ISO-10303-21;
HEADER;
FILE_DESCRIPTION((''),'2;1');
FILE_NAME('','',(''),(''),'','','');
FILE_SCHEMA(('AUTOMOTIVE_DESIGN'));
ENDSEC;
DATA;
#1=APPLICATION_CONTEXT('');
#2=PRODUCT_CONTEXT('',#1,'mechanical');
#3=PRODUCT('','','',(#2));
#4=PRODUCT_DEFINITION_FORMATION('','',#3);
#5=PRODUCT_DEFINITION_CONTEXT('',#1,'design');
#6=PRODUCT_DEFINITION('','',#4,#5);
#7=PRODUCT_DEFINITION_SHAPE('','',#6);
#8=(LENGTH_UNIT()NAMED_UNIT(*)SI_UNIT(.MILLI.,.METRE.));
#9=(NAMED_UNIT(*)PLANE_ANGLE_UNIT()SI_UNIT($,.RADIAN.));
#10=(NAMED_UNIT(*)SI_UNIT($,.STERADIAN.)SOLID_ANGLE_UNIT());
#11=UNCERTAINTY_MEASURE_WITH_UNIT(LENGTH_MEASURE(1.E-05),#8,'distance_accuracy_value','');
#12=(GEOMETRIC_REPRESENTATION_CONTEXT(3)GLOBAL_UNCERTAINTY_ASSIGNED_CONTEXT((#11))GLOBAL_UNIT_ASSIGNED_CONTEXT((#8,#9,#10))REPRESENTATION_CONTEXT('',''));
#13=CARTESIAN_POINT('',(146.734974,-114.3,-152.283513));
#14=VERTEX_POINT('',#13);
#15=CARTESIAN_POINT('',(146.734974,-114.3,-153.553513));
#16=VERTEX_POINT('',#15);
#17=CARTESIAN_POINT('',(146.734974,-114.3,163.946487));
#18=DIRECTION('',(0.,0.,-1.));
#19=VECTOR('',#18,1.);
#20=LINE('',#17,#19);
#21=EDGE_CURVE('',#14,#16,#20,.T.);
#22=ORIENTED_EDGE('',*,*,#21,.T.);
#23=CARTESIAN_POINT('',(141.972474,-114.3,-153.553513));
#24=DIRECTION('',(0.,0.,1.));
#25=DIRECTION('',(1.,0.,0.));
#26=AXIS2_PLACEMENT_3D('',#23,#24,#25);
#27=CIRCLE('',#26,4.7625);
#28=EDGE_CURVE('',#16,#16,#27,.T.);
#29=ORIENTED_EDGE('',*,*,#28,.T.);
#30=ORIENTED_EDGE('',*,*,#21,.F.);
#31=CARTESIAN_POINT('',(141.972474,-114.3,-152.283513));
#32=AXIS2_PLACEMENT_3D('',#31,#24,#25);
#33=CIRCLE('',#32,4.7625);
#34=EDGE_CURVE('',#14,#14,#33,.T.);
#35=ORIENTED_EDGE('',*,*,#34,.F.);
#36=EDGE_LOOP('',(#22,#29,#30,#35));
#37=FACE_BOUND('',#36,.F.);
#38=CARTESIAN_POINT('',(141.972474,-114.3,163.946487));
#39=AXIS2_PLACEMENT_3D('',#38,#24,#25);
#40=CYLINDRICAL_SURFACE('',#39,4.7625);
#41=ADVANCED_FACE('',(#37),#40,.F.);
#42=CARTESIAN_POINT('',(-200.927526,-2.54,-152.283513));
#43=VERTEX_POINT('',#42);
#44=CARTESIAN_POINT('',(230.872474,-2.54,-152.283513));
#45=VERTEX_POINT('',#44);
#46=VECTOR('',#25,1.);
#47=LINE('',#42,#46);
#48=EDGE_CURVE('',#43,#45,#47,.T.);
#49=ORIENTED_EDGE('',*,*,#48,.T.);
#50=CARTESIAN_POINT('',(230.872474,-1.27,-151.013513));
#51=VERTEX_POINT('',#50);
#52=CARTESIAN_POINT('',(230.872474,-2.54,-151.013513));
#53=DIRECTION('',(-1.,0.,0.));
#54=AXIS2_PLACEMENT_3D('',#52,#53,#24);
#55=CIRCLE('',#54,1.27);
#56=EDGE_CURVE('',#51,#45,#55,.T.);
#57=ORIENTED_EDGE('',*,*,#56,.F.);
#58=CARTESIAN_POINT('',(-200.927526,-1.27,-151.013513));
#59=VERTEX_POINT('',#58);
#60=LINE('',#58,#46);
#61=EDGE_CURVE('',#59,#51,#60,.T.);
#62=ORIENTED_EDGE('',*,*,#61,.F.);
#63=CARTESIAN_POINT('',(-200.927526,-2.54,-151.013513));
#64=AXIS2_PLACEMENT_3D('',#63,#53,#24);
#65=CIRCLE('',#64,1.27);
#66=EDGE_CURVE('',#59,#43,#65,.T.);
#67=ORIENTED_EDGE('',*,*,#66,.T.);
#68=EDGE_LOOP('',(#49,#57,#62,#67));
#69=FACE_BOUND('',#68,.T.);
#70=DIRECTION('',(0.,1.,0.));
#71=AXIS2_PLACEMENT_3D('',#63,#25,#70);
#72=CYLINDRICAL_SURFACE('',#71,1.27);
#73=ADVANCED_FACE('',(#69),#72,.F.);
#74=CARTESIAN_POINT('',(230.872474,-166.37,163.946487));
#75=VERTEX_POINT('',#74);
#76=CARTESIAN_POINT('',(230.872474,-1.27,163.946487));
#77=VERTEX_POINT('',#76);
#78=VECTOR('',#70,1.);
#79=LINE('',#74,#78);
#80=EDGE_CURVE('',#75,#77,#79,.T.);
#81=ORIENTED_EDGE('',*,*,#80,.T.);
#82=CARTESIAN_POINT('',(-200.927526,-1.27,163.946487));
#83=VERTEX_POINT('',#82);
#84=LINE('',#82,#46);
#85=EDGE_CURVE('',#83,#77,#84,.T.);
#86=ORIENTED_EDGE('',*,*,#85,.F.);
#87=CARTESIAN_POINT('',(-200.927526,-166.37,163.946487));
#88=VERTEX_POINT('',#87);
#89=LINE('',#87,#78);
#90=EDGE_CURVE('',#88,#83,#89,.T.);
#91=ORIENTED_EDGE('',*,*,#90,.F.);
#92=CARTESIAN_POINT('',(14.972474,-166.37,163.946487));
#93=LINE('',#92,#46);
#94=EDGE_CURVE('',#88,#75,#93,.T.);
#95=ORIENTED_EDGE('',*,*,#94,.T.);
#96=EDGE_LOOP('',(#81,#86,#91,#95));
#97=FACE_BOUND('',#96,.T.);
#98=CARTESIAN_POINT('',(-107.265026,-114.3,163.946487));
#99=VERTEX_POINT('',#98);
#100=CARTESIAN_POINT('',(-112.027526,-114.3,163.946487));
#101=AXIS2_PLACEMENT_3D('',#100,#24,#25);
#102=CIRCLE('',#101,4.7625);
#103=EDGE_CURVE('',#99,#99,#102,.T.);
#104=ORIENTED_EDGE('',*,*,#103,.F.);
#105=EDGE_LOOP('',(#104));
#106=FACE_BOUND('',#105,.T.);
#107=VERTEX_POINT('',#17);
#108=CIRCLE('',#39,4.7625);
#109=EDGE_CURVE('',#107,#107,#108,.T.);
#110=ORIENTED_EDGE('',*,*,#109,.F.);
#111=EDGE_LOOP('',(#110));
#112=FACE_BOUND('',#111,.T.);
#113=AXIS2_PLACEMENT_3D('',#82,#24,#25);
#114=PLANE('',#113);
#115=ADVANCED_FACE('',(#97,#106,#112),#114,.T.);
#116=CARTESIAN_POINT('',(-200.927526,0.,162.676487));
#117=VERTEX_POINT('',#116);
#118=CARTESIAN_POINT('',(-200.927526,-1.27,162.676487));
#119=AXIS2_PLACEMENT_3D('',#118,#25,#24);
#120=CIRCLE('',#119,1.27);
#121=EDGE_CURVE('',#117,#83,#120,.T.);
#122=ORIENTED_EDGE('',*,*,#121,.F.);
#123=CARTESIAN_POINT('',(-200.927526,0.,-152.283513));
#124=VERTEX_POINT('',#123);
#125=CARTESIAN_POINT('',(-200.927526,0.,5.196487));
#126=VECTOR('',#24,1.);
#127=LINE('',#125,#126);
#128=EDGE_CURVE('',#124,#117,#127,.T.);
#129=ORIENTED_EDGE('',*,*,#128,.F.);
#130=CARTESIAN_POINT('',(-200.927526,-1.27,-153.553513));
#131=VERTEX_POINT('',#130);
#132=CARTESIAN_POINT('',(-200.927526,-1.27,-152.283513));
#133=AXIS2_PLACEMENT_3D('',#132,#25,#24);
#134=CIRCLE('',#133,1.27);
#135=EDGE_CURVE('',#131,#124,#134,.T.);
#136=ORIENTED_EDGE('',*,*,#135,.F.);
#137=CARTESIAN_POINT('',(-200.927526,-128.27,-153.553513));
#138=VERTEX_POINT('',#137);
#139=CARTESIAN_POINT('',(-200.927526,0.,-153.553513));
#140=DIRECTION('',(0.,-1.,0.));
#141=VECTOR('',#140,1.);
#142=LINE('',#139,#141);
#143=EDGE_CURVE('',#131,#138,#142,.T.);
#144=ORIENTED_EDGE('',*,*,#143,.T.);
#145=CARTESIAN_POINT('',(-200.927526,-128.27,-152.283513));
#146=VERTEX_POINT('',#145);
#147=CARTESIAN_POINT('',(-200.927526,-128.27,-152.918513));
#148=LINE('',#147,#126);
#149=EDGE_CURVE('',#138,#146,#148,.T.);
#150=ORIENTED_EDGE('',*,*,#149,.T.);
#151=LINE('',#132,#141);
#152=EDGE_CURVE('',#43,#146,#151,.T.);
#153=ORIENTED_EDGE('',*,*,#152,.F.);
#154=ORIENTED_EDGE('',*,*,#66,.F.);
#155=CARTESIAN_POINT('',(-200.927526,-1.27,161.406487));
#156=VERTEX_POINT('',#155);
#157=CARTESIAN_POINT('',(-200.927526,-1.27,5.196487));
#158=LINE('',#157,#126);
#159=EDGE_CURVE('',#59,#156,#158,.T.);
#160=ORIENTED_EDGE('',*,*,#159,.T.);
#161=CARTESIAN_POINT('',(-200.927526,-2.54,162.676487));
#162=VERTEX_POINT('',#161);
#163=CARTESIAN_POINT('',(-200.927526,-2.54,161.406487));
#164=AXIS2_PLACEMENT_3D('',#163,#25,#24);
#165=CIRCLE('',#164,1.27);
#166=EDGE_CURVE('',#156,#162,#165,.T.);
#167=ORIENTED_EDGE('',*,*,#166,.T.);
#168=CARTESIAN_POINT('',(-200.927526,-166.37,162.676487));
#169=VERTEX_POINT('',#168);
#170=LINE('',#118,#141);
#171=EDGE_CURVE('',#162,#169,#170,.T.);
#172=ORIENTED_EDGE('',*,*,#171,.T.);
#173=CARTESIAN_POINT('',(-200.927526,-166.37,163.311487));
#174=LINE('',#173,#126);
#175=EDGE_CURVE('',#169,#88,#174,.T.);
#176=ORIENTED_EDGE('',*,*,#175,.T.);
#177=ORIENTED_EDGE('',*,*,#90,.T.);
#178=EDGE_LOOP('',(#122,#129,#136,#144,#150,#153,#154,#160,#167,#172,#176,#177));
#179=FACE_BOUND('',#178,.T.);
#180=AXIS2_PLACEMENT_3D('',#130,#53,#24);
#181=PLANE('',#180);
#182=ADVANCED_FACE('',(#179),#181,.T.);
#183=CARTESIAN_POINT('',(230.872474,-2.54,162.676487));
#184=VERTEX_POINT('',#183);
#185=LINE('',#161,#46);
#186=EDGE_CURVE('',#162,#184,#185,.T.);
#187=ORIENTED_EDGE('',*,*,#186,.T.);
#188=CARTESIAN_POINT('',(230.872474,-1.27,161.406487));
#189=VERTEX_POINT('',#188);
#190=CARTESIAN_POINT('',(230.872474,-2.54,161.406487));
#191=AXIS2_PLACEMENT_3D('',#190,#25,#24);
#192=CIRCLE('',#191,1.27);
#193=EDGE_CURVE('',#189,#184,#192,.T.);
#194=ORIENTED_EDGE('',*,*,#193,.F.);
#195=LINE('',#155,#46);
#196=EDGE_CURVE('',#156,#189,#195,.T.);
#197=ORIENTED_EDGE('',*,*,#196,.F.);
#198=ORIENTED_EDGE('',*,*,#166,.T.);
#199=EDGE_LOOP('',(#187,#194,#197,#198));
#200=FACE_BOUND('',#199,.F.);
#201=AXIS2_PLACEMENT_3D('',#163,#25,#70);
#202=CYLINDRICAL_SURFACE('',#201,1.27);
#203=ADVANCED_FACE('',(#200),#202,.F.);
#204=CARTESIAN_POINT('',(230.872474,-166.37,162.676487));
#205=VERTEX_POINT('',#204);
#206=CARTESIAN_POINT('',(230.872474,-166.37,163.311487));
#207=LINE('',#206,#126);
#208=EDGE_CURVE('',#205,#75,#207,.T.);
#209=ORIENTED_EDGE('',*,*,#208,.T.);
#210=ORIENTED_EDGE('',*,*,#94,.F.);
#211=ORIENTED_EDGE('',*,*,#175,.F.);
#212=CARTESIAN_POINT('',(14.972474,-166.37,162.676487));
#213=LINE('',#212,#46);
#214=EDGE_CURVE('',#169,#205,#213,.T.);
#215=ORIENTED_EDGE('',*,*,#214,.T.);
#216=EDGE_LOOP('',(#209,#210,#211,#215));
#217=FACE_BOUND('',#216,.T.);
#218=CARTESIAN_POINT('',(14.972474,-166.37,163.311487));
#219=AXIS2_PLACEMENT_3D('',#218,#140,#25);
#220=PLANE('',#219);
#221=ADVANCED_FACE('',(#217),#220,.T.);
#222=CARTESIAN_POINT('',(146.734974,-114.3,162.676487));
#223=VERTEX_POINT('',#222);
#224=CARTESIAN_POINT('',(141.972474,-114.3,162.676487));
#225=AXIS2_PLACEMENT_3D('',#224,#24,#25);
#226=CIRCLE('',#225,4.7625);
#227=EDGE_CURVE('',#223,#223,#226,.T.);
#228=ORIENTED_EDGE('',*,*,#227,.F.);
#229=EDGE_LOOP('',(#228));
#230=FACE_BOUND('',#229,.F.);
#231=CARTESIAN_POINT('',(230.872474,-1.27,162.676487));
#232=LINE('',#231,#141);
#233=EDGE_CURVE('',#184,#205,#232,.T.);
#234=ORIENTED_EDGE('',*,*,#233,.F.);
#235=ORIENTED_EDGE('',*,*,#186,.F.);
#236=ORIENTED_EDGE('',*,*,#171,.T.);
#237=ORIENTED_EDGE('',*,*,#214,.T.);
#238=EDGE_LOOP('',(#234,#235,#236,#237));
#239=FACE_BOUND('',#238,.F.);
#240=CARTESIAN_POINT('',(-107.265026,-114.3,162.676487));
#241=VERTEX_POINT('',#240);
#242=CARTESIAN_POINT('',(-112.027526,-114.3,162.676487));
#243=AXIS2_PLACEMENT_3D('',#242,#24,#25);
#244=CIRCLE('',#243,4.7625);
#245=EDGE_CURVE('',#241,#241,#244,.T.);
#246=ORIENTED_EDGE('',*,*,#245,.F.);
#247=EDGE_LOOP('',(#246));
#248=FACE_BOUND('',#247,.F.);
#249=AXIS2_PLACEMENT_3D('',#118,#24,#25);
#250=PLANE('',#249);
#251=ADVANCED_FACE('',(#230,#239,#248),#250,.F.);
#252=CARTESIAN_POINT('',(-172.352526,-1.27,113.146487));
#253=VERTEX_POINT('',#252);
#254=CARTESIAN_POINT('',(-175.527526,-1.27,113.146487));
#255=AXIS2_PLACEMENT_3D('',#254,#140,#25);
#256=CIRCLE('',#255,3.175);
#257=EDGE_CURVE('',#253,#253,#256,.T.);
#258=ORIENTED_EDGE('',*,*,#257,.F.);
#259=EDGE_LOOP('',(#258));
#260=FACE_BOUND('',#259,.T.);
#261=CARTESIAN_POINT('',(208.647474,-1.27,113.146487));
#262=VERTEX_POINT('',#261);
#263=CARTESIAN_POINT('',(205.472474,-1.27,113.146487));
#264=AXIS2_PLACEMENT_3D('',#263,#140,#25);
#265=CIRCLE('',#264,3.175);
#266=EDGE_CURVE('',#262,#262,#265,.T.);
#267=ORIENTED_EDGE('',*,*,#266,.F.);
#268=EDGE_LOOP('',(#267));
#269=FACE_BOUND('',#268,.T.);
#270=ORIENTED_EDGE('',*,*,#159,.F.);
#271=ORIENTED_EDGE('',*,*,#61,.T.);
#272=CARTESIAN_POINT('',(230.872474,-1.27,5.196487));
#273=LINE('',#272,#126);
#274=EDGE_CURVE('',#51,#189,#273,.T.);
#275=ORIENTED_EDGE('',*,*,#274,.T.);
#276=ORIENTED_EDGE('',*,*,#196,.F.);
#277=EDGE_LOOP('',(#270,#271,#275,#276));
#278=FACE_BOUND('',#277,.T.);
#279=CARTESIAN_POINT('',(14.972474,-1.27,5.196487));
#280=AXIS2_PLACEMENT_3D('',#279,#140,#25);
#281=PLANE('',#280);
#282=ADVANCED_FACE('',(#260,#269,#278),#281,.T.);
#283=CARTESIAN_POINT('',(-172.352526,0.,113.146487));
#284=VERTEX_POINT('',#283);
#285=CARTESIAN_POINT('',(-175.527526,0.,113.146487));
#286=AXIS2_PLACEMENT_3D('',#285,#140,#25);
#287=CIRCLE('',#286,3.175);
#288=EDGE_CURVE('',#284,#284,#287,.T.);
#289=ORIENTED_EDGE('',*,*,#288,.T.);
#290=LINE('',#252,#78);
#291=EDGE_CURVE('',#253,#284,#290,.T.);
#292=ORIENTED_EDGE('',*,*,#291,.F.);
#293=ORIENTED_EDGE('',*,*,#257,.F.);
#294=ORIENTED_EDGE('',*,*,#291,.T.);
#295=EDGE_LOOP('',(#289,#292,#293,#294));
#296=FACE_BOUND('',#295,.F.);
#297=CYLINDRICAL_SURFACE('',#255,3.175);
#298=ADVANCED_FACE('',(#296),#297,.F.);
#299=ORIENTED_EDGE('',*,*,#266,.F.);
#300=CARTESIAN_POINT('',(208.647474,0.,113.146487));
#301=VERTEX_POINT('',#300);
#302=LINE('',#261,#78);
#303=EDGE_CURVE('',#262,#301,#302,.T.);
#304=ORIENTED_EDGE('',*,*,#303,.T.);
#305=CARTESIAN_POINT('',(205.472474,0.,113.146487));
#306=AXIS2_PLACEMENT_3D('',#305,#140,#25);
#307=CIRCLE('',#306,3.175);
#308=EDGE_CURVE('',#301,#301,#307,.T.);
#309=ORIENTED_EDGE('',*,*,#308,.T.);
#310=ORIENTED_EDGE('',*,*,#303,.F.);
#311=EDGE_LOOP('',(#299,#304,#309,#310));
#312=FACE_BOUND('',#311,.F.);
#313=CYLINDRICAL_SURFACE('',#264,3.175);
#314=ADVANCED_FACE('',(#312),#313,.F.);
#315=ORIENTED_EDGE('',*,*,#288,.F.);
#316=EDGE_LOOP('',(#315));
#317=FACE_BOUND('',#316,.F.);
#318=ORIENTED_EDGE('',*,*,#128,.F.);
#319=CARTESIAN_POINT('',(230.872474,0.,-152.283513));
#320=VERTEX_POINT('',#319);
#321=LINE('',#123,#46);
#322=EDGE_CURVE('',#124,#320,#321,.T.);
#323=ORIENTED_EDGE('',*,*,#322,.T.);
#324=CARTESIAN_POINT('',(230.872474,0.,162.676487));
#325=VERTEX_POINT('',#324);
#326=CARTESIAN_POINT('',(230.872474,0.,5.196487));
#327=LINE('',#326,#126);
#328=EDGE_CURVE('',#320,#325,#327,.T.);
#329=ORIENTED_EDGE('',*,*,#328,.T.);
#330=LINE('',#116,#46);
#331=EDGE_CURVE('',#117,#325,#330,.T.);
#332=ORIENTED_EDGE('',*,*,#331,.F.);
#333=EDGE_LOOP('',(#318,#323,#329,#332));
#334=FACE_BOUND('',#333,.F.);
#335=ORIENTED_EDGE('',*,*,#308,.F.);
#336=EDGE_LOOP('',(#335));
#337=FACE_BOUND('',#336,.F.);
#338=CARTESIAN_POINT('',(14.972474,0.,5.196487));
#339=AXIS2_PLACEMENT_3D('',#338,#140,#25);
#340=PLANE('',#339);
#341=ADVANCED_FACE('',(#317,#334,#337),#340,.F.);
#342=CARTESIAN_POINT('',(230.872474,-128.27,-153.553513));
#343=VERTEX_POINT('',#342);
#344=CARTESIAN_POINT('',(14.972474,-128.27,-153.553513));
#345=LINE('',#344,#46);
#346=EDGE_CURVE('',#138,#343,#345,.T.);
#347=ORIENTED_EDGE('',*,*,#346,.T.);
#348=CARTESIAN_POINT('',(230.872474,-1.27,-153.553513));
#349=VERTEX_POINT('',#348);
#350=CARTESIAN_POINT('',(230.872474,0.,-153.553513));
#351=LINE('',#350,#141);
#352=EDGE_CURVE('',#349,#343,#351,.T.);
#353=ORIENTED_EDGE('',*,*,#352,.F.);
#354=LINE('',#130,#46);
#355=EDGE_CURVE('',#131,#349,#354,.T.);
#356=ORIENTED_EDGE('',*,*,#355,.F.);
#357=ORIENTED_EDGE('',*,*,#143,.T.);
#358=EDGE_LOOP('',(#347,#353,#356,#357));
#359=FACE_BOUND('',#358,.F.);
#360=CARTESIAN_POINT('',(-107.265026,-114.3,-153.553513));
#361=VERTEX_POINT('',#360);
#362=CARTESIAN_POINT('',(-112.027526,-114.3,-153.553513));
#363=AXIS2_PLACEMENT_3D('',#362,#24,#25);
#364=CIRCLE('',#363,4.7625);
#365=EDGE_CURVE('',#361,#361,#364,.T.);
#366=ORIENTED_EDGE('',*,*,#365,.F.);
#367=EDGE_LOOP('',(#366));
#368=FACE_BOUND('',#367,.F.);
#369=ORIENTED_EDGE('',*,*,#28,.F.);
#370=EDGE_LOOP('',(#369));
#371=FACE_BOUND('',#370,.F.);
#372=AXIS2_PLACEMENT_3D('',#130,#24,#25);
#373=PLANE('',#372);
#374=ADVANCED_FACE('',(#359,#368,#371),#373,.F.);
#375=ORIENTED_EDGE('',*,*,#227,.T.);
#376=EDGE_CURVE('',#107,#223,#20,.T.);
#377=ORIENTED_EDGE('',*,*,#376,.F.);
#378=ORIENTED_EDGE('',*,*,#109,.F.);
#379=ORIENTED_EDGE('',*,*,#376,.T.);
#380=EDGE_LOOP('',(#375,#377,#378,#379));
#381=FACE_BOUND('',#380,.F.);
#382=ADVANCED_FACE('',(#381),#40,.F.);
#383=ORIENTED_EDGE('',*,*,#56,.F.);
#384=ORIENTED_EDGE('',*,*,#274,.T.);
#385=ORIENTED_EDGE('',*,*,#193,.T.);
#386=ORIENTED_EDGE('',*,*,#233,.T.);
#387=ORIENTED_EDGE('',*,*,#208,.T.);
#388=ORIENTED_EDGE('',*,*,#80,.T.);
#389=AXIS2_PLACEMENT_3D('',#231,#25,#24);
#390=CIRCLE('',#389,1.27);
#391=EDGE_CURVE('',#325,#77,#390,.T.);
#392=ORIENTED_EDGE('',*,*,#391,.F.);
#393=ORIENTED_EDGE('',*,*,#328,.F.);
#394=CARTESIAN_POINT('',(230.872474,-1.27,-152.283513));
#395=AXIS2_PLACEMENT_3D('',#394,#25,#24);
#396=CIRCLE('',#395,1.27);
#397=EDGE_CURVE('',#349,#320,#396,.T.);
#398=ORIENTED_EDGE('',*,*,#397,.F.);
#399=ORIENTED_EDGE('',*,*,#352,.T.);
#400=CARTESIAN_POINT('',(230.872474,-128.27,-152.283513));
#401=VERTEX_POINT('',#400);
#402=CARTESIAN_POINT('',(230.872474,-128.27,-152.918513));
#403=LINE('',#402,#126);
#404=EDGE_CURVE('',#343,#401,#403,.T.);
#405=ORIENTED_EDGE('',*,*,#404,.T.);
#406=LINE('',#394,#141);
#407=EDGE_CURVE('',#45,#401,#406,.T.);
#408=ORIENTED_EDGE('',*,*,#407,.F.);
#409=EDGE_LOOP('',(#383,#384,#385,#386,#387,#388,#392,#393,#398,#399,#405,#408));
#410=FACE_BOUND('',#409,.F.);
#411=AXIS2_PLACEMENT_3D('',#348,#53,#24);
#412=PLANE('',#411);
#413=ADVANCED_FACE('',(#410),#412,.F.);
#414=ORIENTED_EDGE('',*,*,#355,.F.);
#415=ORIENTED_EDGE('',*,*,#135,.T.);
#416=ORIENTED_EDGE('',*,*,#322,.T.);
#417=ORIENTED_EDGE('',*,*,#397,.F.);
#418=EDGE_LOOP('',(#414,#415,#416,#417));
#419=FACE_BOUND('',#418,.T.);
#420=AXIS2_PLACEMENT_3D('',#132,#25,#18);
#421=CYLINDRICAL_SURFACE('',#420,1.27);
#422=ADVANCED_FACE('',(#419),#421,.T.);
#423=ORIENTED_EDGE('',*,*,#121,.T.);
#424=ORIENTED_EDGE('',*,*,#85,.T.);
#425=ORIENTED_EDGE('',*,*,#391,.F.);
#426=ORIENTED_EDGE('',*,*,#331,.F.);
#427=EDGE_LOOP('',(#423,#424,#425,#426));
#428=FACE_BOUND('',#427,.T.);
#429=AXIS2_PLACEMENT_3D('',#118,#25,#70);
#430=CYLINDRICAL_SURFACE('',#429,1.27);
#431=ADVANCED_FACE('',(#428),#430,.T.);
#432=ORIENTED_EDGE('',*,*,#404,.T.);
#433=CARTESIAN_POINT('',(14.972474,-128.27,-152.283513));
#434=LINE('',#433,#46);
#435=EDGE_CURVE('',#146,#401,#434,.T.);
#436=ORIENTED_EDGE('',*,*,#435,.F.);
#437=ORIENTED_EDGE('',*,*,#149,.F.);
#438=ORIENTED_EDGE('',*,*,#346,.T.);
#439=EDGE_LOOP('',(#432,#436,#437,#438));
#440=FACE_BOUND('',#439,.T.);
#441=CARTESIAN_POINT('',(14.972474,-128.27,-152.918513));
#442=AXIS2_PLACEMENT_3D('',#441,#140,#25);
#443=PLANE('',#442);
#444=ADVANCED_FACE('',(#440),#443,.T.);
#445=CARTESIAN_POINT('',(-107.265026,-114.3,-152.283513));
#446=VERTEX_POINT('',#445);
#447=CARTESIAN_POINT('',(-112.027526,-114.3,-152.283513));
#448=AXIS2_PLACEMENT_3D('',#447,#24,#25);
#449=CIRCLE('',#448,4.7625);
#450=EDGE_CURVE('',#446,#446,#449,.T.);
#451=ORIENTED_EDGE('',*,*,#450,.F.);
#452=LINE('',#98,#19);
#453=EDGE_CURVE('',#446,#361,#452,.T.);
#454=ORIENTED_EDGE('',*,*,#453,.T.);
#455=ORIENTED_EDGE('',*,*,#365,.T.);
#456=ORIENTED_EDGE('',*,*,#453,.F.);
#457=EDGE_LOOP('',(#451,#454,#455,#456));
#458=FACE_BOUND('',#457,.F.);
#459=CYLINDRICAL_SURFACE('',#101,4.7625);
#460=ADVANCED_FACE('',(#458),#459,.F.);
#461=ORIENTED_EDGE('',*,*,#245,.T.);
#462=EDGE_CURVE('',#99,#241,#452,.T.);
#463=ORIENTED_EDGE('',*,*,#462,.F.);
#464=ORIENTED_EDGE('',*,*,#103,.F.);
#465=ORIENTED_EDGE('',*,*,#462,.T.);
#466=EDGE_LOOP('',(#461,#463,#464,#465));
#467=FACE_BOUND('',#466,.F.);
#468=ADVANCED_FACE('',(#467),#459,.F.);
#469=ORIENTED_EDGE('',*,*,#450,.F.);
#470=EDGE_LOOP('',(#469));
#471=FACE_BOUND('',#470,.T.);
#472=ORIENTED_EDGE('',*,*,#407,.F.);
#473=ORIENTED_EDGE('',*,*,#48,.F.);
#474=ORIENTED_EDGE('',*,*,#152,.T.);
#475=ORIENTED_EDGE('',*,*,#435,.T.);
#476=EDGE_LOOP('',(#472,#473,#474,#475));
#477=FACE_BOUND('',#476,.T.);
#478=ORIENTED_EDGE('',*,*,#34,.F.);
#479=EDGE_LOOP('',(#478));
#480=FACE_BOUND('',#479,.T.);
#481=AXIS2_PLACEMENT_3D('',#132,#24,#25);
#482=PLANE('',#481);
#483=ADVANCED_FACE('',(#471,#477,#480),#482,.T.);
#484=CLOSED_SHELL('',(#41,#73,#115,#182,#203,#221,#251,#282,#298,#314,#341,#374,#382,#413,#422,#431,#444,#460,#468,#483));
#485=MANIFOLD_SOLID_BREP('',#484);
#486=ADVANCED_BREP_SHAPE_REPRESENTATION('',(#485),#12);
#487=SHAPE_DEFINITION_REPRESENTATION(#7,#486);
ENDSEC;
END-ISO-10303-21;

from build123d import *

# Parameters (mm, degrees)
F0_W      = 431.8
F0_H      = 317.5
F1_DEPTH  = 1.27
F2_W      = 431.8
F2_H      = 1.27
F3_DEPTH  = 165.1
F4_R      = 1.27
F5_W      = 431.8
F5_H      = 1.27
F6_DEPTH  = 127
F7_R      = 1.27
F8_R      = 3.175
F9_DEPTH  = 25.4
F10_R     = 4.7625
F11_DEPTH = 317.501


with BuildPart() as f1:
    # F0 (on Front) → F1 (new body)
    with BuildSketch(Plane.XZ):
        with Locations((14.972474, 5.196487)):
            Rectangle(F0_W, F0_H)
    extrude(amount=F1_DEPTH)

    # F2 (on face) → F3 (join)
    with BuildSketch(Plane.XZ.offset(1.27)):
        with Locations((14.972474, 163.311487)):
            Rectangle(F2_W, F2_H)
    extrude(amount=F3_DEPTH)

    # F4
    f4_edges = [f1.edges().sort_by_distance(p)[0] for p in [
        (14.972474, -1.27, 162.676487),
        (14.972474, 0, 163.946487),
    ]]
    fillet(f4_edges, radius=F4_R)

    # F5 (on face) → F6 (join)
    with BuildSketch(Plane.XZ.offset(1.27)):
        with Locations((14.972474, -152.918513)):
            Rectangle(F5_W, F5_H)
    extrude(amount=F6_DEPTH)

    # F7
    f7_edges = [f1.edges().sort_by_distance(p)[0] for p in [
        (14.972474, -1.27, -152.283513),
        (14.972474, 0, -153.553513),
    ]]
    fillet(f7_edges, radius=F7_R)

    # F8 (on face) → F9 (cut)
    with BuildSketch(Plane.XZ.offset(1.27)):
        with Locations((-175.527526, 113.146487)):
            Circle(F8_R)
        with Locations((205.472474, 113.146487)):
            Circle(F8_R)
    extrude(amount=-F9_DEPTH, mode=Mode.SUBTRACT)

    # F10 (on face) → F11 (cut, through all)
    with BuildSketch(Plane.XY.offset(163.946487)):
        with Locations((-112.027526, -114.3)):
            Circle(F10_R)
        with Locations((141.972474, -114.3)):
            Circle(F10_R)
    extrude(amount=-F11_DEPTH, mode=Mode.SUBTRACT)


solid = f1.part
